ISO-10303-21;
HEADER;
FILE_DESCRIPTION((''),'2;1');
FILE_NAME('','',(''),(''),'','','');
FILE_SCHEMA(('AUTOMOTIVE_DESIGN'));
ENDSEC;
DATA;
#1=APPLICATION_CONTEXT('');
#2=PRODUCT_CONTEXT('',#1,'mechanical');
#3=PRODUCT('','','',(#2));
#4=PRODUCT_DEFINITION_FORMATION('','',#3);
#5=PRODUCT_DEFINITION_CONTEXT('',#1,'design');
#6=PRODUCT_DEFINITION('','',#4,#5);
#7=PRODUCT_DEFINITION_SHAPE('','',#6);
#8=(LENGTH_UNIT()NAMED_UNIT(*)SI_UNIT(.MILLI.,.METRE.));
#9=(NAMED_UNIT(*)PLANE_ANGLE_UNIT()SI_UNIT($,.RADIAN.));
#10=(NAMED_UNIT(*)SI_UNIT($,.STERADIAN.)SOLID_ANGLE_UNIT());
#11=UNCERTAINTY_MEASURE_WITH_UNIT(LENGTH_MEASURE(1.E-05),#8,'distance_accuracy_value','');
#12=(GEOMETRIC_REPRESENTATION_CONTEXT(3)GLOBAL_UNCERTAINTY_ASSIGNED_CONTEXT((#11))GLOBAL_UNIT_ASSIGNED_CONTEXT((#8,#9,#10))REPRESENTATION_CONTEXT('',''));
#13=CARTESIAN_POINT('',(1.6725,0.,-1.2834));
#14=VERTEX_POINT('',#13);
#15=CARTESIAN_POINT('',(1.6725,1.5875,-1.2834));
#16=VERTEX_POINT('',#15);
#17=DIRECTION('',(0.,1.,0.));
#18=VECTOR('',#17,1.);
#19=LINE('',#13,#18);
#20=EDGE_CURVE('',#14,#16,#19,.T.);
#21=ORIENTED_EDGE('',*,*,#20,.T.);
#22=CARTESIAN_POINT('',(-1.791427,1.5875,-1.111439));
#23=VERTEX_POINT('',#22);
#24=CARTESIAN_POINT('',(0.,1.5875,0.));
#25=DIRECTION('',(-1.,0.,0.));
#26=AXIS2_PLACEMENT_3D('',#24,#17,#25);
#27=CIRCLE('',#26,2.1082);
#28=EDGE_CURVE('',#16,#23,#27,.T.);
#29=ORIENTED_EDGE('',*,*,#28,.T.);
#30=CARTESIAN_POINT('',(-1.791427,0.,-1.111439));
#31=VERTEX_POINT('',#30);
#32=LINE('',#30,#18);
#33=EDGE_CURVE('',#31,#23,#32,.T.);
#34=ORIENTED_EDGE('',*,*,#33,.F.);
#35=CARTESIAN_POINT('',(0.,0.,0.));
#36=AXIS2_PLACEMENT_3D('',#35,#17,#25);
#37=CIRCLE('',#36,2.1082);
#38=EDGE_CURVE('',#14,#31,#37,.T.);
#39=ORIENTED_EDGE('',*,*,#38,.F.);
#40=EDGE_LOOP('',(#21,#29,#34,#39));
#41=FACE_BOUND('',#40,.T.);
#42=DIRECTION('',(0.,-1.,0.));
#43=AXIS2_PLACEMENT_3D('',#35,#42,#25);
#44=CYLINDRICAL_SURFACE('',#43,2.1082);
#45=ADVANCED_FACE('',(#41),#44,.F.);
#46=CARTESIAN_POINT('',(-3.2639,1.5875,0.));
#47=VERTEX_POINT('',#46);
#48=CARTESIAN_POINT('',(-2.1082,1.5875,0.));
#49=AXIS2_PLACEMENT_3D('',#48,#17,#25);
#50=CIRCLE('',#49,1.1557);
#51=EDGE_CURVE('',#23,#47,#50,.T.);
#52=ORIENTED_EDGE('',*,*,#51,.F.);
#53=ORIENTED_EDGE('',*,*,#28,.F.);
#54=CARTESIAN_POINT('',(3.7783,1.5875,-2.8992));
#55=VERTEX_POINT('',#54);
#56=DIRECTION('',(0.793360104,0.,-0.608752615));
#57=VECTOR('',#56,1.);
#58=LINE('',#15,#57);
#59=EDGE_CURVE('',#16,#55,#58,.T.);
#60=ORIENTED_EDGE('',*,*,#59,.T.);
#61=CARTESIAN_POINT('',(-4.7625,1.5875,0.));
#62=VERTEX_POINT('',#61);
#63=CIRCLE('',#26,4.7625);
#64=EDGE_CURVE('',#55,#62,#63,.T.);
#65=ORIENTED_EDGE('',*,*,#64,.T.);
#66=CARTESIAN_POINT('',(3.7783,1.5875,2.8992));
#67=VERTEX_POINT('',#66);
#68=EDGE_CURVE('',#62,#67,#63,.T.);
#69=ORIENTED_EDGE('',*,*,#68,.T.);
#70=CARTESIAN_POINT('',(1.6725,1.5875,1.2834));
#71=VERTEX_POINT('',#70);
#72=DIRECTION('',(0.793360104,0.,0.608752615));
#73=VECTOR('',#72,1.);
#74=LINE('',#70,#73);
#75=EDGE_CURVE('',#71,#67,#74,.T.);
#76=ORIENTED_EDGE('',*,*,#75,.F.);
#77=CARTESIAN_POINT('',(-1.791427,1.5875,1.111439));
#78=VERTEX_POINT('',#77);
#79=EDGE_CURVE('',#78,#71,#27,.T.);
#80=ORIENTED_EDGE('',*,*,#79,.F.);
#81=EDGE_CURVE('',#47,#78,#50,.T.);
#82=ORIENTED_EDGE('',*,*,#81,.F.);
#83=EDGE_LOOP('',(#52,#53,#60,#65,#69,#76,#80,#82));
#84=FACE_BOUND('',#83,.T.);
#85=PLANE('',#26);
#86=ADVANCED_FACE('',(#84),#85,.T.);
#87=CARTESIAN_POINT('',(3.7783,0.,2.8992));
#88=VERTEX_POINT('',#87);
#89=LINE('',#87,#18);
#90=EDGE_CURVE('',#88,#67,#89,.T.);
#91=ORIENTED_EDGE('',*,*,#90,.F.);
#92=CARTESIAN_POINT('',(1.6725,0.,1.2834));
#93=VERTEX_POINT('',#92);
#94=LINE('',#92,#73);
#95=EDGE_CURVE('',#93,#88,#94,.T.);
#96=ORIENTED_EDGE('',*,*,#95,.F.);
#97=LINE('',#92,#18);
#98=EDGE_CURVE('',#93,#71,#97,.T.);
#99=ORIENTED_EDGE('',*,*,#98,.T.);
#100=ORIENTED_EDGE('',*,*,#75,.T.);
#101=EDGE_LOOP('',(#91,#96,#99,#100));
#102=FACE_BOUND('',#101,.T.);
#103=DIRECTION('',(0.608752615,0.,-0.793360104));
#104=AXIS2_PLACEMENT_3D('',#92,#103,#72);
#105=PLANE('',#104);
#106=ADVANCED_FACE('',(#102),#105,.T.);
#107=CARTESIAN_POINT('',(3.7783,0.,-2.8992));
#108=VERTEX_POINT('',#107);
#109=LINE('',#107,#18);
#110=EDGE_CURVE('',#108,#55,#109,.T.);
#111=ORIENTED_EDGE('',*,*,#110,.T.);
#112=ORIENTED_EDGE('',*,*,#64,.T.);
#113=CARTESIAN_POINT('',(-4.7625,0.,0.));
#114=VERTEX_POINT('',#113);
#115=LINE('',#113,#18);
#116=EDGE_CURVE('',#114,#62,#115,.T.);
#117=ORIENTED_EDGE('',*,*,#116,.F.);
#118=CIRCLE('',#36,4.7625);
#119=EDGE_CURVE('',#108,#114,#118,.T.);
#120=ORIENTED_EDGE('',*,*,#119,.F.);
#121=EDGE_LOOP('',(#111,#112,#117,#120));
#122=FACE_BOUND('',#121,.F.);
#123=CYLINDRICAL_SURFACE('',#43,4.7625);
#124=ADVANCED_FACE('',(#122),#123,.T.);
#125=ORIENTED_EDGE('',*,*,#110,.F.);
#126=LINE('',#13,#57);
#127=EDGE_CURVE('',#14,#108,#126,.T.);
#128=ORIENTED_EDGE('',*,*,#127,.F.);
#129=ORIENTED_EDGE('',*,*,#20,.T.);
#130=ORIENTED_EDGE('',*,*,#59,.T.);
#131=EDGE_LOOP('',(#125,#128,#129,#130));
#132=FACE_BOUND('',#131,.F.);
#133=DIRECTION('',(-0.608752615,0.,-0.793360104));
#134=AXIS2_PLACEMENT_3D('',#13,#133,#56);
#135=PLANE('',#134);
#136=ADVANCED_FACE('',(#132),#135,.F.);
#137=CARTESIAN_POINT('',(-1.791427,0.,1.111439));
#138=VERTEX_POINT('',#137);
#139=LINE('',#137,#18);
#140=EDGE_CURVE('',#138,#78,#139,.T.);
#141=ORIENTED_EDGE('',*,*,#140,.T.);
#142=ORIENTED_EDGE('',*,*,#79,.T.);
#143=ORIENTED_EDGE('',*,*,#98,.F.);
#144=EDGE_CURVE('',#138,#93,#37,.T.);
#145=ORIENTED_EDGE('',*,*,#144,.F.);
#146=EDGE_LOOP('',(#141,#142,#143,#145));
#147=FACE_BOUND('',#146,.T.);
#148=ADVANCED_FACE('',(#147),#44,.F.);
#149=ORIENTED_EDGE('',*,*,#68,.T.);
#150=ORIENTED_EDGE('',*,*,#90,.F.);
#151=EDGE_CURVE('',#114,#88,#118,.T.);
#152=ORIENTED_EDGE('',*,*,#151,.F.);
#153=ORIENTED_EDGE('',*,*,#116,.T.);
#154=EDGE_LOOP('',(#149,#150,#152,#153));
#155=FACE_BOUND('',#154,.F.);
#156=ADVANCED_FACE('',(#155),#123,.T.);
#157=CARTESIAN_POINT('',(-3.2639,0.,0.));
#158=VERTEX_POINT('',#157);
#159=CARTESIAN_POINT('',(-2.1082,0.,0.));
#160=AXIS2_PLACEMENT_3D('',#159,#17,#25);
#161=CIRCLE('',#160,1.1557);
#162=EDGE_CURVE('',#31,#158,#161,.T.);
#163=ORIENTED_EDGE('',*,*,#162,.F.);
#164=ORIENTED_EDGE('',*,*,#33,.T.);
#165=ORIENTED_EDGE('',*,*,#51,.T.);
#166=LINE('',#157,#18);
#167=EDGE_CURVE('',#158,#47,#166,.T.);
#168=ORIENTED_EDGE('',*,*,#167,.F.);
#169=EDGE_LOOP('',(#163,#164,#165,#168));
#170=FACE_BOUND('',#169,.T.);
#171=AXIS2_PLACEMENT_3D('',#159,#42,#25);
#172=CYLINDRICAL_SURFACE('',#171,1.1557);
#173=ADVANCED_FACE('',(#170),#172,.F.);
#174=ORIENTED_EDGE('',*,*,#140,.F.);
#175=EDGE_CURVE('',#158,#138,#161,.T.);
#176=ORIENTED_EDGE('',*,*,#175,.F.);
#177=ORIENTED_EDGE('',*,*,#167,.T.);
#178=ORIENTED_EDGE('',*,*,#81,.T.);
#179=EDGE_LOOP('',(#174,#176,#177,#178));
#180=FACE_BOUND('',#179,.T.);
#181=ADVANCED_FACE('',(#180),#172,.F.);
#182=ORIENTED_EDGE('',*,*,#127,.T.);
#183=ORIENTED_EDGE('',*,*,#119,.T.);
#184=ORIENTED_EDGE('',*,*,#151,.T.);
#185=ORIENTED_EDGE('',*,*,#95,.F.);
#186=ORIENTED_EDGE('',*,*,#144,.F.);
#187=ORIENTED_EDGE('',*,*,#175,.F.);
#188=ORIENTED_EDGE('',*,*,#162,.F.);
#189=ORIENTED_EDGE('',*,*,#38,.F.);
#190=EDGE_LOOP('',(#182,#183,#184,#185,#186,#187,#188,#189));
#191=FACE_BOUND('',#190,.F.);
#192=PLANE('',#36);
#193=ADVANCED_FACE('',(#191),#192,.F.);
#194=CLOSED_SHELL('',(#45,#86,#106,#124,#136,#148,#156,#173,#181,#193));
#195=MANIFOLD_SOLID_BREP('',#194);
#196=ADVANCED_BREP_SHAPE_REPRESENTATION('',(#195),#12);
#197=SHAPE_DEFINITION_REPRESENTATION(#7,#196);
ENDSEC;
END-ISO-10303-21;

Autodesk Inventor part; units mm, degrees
ref_plane "YZ Plane" through (0, 0, 0) normal (1, 0, 0) x (0, 1, 0)
ref_plane "XZ Plane" through (0, 0, 0) normal (0, 1, 0) x (-1, 0, 0)
ref_plane "XY Plane" through (0, 0, 0) normal (0, 0, 1) x (1, 0, 0)
sketch "Sketch1" plane through (0, 0, 0) normal (0, 1, 0) x (-1, 0, 0)
  circle A0 centre (0, 0) radius 4.7625
  circle A1 centre (0, 0) radius 2.1082
  circle A2 centre (2.1082, 0) radius 1.1557
  line L0 (-1.6725, 1.2834) -> (-3.7783, 2.8992)
  line L1 (-1.6725, -1.2834) -> (-3.7783, -2.8992)
  line L2 (2.1082, 0) -> (-4.7625, 0) construction
  point P0 (1.7914, 1.1114)
  point P1 (1.7914, -1.1114)
  dimension "d0" = 9.525
  dimension "d1" = 4.2164
  dimension "d2" = 2.3114
  dimension "d3" = 75
extrude "Extrusion1" add sketch "Sketch1" along normal blind 1.5875 contours A0 L1 A1 A2 L0
properties part number "Spacer Nylon Click On"
